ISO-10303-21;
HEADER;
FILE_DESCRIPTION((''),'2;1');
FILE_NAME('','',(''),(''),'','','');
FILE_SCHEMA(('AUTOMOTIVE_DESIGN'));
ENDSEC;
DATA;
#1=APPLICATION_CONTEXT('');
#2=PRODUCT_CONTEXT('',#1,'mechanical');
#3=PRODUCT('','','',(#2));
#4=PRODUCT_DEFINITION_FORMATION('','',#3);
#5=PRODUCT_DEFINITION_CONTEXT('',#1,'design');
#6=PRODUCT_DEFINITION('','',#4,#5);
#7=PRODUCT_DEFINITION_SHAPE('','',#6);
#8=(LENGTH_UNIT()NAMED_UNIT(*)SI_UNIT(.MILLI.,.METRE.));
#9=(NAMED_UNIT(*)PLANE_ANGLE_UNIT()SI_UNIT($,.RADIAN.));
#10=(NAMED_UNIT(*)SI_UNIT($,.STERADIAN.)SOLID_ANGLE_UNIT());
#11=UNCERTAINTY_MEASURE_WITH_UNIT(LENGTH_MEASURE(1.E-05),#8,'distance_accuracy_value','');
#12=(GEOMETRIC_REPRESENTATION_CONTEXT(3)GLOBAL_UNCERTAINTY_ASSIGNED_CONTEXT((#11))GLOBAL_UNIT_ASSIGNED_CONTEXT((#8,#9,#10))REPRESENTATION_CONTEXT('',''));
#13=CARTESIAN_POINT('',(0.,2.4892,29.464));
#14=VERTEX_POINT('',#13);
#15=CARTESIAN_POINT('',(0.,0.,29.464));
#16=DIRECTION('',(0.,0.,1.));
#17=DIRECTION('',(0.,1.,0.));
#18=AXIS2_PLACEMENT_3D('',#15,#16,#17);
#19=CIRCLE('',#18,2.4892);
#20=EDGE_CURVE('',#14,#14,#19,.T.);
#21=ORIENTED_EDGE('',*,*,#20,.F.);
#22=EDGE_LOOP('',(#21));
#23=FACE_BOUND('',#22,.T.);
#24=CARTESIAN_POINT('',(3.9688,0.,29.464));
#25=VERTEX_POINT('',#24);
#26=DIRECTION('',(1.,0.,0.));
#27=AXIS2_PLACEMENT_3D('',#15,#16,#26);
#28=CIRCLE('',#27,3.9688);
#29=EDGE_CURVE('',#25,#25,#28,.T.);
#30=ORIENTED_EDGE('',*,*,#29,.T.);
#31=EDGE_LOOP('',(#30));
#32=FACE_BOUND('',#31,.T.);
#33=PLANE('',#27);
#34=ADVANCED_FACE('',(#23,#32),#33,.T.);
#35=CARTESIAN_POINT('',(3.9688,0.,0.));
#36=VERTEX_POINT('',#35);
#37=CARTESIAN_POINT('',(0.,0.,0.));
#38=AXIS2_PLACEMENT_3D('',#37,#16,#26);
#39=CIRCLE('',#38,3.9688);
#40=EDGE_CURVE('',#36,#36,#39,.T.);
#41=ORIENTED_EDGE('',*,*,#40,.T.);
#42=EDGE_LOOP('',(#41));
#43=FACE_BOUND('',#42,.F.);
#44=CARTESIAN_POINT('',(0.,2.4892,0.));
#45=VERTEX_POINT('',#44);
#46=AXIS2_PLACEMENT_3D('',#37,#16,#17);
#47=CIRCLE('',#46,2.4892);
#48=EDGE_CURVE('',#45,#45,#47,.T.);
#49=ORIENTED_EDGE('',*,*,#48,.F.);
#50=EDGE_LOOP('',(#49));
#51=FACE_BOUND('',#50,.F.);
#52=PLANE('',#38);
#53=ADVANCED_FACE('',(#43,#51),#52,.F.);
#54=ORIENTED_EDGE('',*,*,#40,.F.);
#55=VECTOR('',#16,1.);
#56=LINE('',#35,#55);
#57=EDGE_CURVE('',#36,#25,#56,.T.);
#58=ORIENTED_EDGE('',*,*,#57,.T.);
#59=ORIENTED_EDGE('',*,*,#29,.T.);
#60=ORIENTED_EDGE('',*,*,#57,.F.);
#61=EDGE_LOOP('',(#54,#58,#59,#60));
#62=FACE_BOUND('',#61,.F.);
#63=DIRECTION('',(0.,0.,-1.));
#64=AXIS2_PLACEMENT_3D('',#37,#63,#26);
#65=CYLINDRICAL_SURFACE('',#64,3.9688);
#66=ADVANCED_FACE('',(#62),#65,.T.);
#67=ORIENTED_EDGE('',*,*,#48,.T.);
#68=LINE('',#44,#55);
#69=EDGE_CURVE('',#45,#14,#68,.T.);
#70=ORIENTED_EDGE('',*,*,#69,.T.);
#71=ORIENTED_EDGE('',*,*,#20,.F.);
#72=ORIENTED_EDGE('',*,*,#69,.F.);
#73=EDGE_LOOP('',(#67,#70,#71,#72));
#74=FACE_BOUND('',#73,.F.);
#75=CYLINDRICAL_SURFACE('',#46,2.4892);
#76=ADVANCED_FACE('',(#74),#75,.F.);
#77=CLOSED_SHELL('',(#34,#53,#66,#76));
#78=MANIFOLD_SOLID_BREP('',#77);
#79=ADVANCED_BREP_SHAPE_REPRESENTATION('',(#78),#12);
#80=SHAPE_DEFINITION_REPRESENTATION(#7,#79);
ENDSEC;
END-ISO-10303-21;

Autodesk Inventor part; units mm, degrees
ref_plane "YZ Plane" through (0, 0, 0) normal (1, 0, 0) x (0, 1, 0)
ref_plane "XZ Plane" through (0, 0, 0) normal (0, 1, 0) x (-1, 0, 0)
ref_plane "XY Plane" through (0, 0, 0) normal (0, 0, 1) x (1, 0, 0)
sketch "Sketch1" plane through (0, 0, 0) normal (0, 0, 1) x (1, 0, 0)
  circle A0 centre (0, 0) radius 3.9688
  dimension "d0" = 7.9375
extrude "Extrusion1" add sketch "Sketch1" along normal blind 29.464
hole "Hole1" at (0, 0, 0) direction (0, 0, 1) diameter 4.9784 end through all clearance for "Socket Head Cap Screw" size "#10" standard "Ansi Unified Screw Threads"
properties part number "Main Connecting Standoff"
